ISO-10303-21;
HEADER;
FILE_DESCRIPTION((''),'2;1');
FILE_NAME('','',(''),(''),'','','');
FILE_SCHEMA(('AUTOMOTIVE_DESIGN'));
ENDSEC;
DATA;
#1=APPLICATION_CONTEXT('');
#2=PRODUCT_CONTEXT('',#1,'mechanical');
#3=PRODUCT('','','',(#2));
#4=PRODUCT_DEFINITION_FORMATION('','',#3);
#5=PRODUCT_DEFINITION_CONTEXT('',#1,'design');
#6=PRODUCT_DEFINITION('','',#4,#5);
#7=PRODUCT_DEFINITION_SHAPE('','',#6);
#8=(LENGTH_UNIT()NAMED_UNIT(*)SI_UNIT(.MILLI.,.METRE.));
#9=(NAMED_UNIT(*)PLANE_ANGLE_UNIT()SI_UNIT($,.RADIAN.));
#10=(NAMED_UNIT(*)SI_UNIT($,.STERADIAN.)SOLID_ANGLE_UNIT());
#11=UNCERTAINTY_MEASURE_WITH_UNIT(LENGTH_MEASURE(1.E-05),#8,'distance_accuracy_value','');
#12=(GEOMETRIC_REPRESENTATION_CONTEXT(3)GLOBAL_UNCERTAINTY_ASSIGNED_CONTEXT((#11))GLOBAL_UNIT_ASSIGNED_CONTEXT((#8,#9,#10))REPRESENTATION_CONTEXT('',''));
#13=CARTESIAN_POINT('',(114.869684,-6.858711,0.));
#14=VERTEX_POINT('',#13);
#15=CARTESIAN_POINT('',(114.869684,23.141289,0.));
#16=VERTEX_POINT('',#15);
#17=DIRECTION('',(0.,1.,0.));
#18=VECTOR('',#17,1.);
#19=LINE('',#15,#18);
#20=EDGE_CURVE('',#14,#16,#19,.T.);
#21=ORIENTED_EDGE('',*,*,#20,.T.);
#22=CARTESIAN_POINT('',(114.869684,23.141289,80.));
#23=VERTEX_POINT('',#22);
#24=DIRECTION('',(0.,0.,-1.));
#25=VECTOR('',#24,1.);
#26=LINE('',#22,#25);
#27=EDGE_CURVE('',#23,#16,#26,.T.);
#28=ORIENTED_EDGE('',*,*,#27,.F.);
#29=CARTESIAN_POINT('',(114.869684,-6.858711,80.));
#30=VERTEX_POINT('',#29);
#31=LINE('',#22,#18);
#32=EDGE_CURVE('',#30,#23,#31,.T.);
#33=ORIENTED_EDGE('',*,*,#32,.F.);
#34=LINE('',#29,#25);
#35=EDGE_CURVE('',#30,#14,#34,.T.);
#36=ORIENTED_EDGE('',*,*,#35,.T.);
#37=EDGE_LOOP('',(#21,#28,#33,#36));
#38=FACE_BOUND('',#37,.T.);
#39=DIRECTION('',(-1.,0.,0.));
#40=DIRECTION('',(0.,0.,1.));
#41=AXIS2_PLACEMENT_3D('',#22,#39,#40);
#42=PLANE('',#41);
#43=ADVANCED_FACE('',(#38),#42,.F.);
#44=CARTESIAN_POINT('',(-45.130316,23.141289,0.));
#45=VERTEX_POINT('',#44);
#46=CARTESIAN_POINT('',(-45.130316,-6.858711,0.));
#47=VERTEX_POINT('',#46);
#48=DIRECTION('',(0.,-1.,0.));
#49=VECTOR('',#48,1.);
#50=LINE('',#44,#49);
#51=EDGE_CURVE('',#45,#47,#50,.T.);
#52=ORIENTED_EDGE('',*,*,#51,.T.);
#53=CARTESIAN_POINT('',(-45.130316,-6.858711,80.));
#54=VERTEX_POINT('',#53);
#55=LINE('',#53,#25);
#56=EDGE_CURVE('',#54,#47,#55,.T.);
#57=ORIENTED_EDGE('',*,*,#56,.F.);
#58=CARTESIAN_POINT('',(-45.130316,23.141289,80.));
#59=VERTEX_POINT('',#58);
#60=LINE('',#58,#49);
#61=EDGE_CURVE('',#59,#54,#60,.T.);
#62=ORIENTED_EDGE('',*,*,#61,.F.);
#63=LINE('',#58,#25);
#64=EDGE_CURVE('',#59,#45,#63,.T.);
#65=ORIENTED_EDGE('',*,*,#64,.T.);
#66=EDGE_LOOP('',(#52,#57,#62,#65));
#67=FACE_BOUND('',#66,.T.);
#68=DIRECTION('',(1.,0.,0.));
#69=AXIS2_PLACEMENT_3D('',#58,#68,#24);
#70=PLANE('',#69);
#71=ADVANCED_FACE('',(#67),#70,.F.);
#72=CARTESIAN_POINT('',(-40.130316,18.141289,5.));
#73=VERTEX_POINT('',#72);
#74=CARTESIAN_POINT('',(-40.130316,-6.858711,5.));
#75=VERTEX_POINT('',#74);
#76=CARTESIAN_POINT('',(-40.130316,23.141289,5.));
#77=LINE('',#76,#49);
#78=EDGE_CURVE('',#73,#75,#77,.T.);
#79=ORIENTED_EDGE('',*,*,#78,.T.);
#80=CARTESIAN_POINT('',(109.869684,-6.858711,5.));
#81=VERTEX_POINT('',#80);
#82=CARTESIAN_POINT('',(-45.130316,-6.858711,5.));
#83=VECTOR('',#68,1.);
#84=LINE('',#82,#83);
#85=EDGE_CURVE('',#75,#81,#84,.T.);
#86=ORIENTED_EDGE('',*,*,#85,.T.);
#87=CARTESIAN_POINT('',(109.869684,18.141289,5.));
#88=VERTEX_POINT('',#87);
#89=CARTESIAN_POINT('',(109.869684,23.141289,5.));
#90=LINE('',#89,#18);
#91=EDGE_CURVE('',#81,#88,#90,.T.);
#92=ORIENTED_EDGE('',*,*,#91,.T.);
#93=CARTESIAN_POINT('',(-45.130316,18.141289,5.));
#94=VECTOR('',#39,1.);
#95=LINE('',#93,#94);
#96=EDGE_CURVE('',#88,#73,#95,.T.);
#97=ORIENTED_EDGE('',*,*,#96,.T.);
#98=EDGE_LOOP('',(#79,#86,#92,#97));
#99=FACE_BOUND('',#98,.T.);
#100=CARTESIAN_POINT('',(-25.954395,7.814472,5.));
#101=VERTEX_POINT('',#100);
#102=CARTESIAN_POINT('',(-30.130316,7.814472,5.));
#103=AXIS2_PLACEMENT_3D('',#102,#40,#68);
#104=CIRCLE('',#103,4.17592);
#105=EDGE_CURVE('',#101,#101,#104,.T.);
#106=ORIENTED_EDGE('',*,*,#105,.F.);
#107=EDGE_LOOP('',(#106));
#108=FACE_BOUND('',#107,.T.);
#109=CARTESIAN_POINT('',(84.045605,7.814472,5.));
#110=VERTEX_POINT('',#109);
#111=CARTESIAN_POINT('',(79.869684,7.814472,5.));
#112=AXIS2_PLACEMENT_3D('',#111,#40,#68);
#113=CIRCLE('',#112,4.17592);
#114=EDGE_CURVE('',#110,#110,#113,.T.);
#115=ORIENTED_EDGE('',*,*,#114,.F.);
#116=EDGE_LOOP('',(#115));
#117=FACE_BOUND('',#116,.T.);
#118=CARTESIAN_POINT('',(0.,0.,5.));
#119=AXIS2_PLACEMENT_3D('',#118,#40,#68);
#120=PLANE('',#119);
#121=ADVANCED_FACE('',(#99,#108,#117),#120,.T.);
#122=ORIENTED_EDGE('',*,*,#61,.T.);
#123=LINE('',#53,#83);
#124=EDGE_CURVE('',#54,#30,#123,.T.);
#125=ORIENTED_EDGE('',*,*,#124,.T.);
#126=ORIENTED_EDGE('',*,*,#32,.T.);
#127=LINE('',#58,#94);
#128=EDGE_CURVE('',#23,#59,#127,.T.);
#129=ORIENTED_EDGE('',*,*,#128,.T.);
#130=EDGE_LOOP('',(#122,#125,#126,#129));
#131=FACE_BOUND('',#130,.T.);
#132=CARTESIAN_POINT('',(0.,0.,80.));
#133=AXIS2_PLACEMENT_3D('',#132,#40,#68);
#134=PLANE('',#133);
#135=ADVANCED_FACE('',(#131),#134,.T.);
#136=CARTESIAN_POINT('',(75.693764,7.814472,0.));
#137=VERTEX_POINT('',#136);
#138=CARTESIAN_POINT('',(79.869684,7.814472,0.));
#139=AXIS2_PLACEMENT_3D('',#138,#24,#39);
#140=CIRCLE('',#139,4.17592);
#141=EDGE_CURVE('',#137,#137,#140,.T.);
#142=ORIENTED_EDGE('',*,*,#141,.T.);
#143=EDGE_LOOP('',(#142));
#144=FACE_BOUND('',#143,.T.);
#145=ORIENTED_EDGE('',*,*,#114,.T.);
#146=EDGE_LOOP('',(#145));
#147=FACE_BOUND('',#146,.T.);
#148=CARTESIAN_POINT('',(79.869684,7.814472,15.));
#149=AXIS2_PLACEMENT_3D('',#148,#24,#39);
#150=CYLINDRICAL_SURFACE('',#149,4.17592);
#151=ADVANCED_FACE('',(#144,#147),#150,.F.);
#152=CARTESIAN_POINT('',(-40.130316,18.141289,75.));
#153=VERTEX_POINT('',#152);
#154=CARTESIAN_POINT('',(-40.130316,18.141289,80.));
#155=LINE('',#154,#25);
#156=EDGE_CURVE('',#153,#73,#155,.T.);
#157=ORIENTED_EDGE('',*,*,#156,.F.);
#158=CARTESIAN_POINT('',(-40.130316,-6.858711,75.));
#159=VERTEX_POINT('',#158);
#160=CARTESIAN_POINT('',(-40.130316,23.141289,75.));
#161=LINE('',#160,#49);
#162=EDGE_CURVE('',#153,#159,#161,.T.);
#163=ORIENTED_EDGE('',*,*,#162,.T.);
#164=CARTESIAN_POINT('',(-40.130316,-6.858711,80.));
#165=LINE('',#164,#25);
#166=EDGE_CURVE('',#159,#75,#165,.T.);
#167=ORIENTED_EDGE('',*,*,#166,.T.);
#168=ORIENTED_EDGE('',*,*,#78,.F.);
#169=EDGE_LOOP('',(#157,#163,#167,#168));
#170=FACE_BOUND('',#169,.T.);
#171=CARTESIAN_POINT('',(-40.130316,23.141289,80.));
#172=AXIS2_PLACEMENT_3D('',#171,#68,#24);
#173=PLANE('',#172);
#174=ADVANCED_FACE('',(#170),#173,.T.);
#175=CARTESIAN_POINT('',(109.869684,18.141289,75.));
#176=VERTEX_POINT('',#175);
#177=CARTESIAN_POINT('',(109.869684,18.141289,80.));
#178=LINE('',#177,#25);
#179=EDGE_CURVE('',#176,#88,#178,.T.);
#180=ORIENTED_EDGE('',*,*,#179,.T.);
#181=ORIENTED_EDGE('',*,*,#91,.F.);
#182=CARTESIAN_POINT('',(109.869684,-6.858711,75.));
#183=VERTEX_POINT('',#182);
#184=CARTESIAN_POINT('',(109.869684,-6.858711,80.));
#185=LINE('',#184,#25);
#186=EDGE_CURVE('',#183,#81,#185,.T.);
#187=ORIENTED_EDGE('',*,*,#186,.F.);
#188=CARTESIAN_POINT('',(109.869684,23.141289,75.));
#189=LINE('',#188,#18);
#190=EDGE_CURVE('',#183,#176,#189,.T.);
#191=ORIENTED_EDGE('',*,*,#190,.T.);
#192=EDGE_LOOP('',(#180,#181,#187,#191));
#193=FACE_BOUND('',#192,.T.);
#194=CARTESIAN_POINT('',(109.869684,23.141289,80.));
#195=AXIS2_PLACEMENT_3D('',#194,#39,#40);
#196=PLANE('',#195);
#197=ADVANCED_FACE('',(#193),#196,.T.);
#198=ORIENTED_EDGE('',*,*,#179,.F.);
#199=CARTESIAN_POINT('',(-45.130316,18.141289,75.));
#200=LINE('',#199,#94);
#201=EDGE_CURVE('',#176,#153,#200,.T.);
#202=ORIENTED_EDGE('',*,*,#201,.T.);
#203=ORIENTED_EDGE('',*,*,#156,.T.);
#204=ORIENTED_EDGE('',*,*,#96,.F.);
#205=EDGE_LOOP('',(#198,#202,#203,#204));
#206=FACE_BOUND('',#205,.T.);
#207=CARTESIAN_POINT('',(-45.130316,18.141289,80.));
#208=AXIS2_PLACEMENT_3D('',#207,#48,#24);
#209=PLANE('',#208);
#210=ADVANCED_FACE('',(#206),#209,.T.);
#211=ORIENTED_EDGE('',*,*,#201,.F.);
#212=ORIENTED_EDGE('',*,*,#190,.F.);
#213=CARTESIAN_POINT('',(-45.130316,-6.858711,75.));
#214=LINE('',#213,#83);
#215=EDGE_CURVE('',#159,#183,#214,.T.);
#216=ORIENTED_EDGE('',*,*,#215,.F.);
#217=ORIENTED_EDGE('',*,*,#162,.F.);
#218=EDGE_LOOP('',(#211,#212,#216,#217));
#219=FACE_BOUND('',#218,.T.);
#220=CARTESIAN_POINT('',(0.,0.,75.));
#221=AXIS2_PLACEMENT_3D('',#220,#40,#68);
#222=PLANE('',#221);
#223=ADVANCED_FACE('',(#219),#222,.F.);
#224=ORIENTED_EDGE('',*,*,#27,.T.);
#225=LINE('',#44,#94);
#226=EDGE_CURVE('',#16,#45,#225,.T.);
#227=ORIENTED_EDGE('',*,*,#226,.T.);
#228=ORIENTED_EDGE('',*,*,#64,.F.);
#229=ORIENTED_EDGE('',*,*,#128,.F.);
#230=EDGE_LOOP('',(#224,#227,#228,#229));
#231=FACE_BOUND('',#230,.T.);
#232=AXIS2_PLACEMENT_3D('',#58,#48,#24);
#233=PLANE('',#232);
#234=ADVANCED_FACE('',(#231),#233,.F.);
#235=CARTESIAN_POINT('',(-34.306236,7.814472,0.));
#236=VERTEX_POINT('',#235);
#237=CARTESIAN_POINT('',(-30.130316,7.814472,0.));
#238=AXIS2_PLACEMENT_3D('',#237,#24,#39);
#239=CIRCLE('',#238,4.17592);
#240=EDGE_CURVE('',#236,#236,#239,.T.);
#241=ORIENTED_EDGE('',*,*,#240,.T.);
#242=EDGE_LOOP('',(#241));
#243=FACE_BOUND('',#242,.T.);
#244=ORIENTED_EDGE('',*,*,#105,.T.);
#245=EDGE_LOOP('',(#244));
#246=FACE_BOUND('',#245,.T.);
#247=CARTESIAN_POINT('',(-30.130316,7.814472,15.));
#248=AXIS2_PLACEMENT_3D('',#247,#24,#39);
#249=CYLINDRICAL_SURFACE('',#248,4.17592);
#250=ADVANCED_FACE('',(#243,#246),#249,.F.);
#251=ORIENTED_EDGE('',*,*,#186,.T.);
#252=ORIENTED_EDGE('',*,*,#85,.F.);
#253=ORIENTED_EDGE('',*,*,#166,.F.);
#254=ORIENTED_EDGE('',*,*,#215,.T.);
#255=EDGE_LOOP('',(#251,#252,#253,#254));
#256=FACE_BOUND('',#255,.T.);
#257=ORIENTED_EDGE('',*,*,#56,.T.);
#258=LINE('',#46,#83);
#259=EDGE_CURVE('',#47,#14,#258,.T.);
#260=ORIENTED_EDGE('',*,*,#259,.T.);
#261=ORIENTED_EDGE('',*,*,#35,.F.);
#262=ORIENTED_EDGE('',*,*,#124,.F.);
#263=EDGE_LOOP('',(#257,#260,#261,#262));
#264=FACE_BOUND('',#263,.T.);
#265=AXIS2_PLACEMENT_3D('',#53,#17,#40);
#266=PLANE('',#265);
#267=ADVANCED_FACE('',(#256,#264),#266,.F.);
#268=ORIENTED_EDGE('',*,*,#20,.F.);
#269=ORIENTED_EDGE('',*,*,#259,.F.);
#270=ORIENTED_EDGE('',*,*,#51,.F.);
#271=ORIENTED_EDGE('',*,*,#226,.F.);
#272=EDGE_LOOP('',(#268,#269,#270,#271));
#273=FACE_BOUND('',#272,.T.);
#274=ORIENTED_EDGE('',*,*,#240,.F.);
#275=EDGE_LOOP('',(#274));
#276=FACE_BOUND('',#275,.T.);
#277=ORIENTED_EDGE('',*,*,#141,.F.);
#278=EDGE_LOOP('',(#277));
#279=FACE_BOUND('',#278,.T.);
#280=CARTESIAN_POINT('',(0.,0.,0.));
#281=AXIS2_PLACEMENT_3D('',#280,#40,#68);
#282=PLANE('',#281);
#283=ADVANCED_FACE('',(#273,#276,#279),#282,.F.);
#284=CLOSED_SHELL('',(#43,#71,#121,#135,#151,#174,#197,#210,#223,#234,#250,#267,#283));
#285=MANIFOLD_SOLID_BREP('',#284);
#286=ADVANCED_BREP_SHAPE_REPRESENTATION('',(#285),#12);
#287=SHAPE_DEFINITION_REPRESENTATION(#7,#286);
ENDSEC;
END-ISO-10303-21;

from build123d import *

# Parameters (mm, degrees)
SKETCH1_W           = 160
SKETCH1_H           = 30
BOSS_EXTRUDE1_DEPTH = 80
SHELL1_T            = -5
SKETCH2_R           = 4.17592015
CUT_EXTRUDE1_DEPTH  = 15
LPATTERN1_COUNT     = 4
LPATTERN1_PITCH     = 110


with BuildPart() as part:
    # Sketch1 → Boss-Extrude1 (new body)
    with BuildSketch(Plane.XY):
        with Locations((34.869684499, 8.141289438)):
            Rectangle(SKETCH1_W, SKETCH1_H)
    extrude(amount=BOSS_EXTRUDE1_DEPTH)

    # Shell1
    shell1_openings = [part.faces().sort_by_distance(p)[0] for p in [
        (34.869684499, -6.858710562, 40),
    ]]
    offset(amount=SHELL1_T, openings=shell1_openings, kind=Kind.INTERSECTION)

    # Sketch2 → Cut-Extrude1 (cut)
    with BuildSketch(Plane(origin=(0, 0, 0), x_dir=(-1, 0, 0), z_dir=(0, 0, -1))):
        with Locations((30.130315501, 7.814471991)):
            Circle(SKETCH2_R)
    cut_extrude1 = extrude(amount=-CUT_EXTRUDE1_DEPTH, mode=Mode.SUBTRACT)

    # LPattern1: Cut-Extrude1 ×4
    with Locations(*[(i * LPATTERN1_PITCH, 0, 0) for i in range(1, LPATTERN1_COUNT)]):
        add(cut_extrude1, mode=Mode.SUBTRACT)


solid = part.part
